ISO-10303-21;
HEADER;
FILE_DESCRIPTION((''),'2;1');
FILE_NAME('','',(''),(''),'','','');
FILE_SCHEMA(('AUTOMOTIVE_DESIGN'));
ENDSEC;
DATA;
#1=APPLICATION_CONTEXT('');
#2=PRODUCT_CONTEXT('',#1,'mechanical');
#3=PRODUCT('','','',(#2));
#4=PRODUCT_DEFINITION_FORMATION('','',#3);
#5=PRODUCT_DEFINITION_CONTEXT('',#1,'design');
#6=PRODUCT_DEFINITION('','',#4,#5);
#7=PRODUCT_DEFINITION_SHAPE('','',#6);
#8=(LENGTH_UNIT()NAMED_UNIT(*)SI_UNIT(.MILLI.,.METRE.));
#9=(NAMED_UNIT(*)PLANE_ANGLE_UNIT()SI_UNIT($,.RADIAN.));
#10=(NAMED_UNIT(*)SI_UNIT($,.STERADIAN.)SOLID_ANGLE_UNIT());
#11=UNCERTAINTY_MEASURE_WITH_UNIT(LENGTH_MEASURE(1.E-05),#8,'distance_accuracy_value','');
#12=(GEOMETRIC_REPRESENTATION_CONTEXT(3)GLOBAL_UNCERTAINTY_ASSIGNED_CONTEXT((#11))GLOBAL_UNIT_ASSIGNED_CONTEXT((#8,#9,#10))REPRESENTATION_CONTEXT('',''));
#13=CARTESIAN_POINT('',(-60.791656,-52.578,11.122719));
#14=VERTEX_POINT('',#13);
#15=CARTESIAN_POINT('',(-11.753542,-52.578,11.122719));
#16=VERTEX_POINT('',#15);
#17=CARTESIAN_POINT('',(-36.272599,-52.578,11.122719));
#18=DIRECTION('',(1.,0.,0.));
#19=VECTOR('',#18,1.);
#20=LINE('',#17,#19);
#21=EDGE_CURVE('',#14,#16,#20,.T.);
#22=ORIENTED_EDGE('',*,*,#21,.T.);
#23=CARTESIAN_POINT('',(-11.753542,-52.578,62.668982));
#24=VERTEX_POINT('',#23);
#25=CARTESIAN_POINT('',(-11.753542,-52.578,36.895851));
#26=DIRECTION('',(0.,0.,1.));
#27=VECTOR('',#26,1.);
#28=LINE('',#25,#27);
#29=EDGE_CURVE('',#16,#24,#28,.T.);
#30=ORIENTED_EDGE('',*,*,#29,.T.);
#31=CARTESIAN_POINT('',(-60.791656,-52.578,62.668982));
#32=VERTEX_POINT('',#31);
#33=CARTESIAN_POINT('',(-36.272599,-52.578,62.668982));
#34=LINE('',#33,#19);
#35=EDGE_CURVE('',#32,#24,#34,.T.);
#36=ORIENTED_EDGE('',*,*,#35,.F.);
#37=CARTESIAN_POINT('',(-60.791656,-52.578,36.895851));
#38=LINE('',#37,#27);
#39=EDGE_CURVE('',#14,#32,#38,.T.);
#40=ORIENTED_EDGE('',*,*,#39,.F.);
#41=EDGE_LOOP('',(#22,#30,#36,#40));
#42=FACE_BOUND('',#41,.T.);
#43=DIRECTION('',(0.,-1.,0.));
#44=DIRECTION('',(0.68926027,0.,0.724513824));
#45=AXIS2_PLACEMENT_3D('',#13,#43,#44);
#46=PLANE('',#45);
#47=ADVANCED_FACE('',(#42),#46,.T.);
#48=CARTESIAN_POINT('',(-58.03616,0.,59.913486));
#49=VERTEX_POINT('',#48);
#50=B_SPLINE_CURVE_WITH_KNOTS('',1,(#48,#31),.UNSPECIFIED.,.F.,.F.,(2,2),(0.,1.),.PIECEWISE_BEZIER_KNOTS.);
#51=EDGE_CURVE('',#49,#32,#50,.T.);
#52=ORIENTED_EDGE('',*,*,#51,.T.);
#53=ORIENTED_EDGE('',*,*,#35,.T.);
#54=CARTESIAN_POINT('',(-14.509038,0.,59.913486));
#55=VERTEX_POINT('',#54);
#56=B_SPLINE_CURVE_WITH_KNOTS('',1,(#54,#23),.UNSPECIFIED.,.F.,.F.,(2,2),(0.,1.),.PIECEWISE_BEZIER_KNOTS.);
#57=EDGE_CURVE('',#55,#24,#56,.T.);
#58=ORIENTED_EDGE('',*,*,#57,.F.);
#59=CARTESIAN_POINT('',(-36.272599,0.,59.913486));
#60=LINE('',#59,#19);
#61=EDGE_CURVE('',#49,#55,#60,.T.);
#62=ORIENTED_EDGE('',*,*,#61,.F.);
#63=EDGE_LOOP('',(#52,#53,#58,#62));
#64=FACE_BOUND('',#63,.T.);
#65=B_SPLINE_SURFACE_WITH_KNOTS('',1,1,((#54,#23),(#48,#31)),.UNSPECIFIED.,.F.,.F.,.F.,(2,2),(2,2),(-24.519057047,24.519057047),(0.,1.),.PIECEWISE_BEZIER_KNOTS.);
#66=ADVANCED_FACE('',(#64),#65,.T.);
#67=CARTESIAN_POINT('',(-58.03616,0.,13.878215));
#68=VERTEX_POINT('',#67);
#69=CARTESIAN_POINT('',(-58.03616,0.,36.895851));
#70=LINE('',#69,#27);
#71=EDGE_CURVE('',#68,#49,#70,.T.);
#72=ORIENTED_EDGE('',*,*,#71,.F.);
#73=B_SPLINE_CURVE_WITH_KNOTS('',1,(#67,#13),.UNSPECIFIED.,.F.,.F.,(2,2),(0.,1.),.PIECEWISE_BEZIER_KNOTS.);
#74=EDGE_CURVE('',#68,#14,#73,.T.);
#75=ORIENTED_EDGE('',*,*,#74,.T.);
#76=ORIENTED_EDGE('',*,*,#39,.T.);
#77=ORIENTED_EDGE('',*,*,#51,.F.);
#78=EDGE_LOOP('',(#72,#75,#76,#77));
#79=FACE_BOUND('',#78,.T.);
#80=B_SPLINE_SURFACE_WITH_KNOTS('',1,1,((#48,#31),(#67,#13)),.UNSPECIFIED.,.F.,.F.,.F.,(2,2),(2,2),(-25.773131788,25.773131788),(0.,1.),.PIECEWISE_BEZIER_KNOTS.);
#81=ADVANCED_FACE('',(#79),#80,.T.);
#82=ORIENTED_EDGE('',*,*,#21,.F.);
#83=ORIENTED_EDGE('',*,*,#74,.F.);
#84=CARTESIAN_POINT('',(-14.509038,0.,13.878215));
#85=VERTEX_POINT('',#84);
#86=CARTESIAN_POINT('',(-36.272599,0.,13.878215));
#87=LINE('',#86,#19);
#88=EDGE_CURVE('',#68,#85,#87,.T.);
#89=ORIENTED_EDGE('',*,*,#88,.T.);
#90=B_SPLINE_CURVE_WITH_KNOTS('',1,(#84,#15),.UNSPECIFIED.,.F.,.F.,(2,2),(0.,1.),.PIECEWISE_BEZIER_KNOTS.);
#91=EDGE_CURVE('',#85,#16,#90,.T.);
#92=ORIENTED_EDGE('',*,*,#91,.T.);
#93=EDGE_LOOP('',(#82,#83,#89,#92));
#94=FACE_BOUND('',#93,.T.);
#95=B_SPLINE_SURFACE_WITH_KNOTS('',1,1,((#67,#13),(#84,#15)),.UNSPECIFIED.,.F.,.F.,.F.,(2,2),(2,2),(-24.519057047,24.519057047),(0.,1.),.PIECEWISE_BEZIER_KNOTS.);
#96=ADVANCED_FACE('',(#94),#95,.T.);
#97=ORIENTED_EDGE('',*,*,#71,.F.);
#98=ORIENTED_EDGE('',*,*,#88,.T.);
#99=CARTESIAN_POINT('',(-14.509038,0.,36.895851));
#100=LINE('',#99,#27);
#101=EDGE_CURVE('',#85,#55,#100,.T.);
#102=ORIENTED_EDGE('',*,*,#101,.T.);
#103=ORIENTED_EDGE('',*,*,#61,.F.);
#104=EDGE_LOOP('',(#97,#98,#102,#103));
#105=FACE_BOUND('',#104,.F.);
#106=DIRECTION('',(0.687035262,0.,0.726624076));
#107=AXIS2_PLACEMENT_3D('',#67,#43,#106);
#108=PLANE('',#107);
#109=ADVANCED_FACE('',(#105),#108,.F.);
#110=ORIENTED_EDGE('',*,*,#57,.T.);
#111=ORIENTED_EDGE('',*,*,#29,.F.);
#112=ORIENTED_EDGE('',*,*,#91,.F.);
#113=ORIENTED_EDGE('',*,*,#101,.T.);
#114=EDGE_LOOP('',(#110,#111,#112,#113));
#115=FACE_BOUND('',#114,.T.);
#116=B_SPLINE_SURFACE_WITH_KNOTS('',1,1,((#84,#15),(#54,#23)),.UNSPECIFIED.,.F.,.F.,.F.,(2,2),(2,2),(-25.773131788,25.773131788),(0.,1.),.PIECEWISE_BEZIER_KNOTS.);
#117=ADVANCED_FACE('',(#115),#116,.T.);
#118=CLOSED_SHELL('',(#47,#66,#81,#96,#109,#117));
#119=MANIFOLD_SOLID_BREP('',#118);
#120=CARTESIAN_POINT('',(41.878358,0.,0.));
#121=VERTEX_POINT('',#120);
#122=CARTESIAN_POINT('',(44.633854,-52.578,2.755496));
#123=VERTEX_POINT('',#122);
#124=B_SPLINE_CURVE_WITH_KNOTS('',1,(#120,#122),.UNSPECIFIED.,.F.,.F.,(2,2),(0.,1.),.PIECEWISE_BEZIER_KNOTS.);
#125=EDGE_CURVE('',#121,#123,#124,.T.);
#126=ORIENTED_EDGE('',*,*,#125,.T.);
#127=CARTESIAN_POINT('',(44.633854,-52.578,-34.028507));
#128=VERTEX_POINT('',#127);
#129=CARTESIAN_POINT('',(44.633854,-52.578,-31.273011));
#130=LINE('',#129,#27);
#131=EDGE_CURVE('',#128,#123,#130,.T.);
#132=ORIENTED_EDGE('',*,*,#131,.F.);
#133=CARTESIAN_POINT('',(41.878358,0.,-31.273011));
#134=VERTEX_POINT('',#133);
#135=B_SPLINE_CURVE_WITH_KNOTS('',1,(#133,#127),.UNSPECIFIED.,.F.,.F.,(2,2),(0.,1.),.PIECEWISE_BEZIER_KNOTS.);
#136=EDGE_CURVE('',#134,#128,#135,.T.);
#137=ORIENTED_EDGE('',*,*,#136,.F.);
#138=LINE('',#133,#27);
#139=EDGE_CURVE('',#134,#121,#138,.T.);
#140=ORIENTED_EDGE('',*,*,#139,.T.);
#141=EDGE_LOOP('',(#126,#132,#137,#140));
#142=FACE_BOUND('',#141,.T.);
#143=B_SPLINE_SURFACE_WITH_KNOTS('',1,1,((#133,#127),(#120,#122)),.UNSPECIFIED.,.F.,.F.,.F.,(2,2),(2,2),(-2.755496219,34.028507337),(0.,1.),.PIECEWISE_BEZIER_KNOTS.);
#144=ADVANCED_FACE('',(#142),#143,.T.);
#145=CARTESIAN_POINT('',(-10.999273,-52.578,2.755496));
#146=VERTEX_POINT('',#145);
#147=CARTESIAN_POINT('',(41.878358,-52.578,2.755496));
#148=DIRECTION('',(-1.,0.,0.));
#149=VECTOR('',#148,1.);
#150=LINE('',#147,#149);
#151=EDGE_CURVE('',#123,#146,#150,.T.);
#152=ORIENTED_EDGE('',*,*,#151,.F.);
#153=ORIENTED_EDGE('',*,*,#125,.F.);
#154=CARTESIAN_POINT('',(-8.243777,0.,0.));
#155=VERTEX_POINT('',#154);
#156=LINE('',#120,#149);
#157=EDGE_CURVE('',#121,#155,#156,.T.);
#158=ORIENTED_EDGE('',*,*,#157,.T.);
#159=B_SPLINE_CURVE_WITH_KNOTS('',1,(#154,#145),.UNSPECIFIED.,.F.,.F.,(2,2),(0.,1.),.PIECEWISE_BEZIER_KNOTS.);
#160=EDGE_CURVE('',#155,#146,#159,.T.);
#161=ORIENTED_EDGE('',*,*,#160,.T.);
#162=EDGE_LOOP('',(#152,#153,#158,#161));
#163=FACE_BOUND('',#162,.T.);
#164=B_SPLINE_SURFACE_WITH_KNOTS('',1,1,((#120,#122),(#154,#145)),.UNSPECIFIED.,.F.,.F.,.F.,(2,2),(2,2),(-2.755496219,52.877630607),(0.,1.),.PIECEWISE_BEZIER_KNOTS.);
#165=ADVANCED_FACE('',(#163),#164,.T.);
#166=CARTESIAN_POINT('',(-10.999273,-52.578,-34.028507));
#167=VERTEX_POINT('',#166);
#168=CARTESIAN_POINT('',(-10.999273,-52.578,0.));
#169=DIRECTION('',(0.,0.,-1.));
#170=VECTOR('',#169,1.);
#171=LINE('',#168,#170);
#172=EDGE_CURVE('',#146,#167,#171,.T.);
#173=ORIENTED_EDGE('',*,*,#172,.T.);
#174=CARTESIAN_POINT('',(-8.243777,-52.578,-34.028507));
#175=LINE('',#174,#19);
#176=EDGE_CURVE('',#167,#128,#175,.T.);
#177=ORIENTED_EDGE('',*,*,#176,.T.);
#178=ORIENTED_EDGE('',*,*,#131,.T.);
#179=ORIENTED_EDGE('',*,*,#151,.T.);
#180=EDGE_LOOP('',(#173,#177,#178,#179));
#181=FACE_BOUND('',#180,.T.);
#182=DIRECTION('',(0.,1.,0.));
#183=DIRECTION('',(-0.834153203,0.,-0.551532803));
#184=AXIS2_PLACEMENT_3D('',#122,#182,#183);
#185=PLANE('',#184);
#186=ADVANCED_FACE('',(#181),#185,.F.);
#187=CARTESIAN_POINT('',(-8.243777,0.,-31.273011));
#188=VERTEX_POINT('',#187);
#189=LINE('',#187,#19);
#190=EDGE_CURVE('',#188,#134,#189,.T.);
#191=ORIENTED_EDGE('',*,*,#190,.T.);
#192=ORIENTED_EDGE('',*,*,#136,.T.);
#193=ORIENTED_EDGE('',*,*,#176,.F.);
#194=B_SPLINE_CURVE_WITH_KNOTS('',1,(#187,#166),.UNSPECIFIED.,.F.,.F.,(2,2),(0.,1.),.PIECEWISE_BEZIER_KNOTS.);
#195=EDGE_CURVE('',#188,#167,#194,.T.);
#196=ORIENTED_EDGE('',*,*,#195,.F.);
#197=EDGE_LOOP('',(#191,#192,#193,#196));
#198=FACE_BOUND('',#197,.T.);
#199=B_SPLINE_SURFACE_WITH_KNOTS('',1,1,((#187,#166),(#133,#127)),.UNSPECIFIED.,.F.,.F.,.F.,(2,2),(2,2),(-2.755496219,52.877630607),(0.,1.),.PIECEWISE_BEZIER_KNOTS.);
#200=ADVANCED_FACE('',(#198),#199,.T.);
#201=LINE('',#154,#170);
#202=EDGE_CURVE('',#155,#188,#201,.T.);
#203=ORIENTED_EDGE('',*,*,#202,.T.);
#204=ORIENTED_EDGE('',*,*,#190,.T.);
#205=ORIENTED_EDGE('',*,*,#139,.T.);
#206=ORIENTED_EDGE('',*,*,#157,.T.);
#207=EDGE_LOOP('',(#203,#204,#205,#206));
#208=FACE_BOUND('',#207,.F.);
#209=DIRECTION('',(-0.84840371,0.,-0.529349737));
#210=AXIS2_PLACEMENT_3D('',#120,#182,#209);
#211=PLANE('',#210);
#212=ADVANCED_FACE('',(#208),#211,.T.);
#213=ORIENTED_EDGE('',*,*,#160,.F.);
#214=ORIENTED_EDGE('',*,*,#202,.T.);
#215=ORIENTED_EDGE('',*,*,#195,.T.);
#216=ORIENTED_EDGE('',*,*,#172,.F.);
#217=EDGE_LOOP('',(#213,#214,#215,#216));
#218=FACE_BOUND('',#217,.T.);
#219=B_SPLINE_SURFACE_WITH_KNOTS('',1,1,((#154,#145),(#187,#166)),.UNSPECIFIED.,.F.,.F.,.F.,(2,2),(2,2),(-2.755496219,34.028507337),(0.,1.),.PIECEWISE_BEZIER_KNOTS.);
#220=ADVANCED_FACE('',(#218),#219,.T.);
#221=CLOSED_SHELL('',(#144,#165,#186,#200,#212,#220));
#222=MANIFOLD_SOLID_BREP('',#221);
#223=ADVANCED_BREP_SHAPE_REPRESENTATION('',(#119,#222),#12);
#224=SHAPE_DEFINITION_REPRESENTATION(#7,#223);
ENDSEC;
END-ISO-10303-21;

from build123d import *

# Parameters (mm, degrees)
F1_DEPTH = 52.578
F1_TAPER = -3
F0_W     = 43.5271216556
F0_H     = 46.035271138


with BuildPart() as f1:
    # F0 (on Front) → F1 (new body)
    with BuildSketch(Plane.XZ):
        Polygon((41.8783575296, 0), (19.1255491227, 0), (-8.2437768579, 0), (-8.2437768579, -31.2730111182), (41.8783575296, -31.2730111182), align=None)
    extrude(amount=F1_DEPTH, taper=F1_TAPER)


with BuildPart() as f1b:
    # F0 (on Front) → F1, piece 2 (new body)
    with BuildSketch(Plane.XZ):
        with Locations((-36.2725988962, 36.8958506733)):
            Rectangle(F0_W, F0_H)
    extrude(amount=F1_DEPTH, taper=F1_TAPER)


solid = Compound([f1.part, f1b.part])
